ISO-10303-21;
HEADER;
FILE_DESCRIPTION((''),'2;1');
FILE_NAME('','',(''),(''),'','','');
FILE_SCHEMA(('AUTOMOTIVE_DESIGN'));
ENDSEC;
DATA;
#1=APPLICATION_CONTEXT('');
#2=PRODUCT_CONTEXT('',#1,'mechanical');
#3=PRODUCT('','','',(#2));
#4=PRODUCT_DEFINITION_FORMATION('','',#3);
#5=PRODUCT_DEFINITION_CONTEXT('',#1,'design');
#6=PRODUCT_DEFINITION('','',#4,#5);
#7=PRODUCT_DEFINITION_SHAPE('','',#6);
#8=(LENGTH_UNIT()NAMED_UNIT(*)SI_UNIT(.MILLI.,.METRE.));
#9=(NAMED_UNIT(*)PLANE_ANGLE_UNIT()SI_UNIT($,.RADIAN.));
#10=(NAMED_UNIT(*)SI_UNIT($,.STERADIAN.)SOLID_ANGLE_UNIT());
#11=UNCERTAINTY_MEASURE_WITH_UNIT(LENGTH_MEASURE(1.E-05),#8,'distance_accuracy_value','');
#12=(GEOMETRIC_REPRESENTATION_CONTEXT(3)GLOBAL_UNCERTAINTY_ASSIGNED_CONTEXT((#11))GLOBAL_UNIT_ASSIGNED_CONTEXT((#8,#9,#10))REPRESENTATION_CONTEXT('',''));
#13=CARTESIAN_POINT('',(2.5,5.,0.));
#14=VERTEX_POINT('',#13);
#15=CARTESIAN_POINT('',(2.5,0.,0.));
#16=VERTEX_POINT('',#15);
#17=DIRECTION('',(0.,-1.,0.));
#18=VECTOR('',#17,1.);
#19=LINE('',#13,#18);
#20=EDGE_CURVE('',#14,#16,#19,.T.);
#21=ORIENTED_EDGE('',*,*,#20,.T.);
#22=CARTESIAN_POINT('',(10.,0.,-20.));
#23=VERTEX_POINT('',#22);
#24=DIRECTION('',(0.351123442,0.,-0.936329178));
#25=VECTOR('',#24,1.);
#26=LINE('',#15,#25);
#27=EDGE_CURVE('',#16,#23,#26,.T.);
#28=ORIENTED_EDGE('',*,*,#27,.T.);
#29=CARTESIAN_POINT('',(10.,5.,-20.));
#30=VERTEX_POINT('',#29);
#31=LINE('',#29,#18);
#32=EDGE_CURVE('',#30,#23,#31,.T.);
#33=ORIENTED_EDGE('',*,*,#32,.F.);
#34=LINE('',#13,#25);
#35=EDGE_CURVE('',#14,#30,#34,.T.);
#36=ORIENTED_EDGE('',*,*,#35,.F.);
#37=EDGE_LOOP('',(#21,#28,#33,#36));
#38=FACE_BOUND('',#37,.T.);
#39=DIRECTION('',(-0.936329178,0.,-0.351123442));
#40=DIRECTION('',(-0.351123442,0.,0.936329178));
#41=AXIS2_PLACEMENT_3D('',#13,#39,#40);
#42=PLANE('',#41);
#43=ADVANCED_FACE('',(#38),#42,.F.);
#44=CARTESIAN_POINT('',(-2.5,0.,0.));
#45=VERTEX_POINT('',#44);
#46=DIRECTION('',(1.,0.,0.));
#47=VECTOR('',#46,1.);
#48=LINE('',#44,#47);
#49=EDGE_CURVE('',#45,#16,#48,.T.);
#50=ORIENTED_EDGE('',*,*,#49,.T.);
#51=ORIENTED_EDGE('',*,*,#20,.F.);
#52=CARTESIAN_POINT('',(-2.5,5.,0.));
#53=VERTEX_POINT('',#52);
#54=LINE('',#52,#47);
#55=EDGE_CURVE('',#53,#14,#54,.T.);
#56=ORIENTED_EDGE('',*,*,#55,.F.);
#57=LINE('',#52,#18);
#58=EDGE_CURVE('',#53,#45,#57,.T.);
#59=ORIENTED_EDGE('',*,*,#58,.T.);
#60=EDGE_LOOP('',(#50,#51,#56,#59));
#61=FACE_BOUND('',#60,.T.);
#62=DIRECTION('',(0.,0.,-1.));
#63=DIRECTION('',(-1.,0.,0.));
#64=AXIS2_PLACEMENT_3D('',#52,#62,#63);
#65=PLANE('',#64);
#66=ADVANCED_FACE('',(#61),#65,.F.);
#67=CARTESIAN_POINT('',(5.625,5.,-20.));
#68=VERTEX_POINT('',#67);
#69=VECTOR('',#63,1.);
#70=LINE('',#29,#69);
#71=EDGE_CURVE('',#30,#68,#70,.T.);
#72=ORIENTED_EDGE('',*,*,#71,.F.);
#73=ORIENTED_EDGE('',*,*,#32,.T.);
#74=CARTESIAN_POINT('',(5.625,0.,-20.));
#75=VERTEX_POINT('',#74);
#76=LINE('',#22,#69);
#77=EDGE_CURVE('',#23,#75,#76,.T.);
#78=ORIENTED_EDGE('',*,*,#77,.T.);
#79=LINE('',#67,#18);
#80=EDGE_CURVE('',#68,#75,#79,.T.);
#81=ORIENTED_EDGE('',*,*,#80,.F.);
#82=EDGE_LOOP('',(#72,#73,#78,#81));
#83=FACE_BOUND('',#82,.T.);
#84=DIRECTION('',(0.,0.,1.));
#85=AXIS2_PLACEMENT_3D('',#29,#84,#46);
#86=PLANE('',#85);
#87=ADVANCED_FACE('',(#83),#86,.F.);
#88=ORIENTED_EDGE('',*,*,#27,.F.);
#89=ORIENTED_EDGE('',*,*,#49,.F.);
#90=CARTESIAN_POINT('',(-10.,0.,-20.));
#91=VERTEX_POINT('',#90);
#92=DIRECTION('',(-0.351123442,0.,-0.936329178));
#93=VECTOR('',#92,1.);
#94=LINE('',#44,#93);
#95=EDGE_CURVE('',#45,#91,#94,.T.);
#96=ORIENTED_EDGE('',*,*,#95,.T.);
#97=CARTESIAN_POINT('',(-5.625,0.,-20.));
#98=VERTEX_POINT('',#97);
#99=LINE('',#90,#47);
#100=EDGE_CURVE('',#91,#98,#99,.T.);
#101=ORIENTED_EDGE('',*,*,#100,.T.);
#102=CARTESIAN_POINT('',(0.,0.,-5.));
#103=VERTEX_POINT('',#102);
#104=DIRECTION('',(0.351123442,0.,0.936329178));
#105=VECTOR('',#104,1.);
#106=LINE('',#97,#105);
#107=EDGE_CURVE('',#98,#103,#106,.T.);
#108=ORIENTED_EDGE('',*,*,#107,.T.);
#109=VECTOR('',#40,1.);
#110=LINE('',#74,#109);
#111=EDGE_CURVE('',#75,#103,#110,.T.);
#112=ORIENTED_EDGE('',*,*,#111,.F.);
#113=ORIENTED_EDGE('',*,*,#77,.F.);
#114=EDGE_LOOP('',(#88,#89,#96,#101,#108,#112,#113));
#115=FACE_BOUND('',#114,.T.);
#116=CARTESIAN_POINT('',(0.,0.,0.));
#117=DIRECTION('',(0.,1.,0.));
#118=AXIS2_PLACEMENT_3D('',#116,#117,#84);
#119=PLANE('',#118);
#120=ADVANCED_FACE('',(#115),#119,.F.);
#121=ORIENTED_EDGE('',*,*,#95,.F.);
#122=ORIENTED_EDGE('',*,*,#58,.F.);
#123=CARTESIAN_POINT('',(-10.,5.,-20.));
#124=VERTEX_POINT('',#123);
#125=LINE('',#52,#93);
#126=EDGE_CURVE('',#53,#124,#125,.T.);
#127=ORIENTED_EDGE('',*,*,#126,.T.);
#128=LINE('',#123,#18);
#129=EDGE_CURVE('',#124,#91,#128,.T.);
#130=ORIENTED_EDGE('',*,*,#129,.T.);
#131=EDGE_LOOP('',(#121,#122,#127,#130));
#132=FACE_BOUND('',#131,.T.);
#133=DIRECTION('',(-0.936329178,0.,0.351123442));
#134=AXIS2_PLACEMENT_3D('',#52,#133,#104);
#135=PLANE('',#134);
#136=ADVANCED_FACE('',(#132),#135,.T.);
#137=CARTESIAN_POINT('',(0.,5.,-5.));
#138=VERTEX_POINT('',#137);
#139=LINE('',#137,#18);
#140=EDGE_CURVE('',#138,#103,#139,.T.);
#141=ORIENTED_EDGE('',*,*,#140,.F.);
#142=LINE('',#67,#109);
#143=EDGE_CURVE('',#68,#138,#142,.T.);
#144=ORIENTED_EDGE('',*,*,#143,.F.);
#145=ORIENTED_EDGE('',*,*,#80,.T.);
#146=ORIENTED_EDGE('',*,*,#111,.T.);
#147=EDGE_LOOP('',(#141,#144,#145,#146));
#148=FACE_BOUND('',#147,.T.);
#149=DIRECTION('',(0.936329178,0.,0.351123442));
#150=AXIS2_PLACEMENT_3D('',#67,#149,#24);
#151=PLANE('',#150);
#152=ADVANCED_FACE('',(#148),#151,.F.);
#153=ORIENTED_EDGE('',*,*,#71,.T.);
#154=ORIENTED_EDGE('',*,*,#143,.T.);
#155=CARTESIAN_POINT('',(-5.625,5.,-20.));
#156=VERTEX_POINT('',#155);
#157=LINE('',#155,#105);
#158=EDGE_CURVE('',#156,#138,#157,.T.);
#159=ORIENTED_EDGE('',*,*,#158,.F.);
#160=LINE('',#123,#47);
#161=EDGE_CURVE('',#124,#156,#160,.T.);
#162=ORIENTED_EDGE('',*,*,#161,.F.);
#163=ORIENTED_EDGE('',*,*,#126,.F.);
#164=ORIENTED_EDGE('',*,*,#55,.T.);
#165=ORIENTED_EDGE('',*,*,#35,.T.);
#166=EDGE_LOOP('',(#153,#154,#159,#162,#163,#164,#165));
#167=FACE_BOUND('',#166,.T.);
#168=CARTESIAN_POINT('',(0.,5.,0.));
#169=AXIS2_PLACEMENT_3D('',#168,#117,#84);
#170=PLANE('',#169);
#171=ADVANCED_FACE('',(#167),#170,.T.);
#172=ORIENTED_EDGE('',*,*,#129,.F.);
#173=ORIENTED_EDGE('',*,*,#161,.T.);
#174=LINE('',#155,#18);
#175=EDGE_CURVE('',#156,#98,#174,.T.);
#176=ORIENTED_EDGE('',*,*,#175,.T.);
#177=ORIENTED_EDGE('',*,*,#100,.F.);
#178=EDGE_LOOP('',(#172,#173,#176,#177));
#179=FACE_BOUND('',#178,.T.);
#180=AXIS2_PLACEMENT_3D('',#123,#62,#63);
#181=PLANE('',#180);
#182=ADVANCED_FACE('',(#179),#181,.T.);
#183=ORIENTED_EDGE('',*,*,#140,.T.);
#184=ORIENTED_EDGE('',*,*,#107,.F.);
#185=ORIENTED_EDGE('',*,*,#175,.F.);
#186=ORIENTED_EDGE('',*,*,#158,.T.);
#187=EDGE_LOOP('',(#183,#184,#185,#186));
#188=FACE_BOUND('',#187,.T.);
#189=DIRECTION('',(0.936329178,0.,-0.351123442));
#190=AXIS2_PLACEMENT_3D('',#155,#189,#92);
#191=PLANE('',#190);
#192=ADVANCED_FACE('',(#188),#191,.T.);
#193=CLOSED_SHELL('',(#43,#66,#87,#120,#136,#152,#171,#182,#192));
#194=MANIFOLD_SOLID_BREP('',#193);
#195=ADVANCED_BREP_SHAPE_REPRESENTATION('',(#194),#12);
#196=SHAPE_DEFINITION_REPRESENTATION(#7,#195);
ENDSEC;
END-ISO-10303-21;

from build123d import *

# Parameters (mm, degrees)
BOSS_EXTRUDE1_DEPTH = 5


with BuildPart() as part:
    # Sketch1 → Boss-Extrude1 (new body)
    with BuildSketch(Plane(origin=(0, 0, 0), x_dir=(1, 0, 0), z_dir=(0, 1, 0))):
        Polygon((-2.5, 0), (2.5, 0), (10, 20), (5.625, 20), (0, 5), (-5.625, 20), (-10, 20), align=None)
    extrude(amount=BOSS_EXTRUDE1_DEPTH)


solid = part.part
